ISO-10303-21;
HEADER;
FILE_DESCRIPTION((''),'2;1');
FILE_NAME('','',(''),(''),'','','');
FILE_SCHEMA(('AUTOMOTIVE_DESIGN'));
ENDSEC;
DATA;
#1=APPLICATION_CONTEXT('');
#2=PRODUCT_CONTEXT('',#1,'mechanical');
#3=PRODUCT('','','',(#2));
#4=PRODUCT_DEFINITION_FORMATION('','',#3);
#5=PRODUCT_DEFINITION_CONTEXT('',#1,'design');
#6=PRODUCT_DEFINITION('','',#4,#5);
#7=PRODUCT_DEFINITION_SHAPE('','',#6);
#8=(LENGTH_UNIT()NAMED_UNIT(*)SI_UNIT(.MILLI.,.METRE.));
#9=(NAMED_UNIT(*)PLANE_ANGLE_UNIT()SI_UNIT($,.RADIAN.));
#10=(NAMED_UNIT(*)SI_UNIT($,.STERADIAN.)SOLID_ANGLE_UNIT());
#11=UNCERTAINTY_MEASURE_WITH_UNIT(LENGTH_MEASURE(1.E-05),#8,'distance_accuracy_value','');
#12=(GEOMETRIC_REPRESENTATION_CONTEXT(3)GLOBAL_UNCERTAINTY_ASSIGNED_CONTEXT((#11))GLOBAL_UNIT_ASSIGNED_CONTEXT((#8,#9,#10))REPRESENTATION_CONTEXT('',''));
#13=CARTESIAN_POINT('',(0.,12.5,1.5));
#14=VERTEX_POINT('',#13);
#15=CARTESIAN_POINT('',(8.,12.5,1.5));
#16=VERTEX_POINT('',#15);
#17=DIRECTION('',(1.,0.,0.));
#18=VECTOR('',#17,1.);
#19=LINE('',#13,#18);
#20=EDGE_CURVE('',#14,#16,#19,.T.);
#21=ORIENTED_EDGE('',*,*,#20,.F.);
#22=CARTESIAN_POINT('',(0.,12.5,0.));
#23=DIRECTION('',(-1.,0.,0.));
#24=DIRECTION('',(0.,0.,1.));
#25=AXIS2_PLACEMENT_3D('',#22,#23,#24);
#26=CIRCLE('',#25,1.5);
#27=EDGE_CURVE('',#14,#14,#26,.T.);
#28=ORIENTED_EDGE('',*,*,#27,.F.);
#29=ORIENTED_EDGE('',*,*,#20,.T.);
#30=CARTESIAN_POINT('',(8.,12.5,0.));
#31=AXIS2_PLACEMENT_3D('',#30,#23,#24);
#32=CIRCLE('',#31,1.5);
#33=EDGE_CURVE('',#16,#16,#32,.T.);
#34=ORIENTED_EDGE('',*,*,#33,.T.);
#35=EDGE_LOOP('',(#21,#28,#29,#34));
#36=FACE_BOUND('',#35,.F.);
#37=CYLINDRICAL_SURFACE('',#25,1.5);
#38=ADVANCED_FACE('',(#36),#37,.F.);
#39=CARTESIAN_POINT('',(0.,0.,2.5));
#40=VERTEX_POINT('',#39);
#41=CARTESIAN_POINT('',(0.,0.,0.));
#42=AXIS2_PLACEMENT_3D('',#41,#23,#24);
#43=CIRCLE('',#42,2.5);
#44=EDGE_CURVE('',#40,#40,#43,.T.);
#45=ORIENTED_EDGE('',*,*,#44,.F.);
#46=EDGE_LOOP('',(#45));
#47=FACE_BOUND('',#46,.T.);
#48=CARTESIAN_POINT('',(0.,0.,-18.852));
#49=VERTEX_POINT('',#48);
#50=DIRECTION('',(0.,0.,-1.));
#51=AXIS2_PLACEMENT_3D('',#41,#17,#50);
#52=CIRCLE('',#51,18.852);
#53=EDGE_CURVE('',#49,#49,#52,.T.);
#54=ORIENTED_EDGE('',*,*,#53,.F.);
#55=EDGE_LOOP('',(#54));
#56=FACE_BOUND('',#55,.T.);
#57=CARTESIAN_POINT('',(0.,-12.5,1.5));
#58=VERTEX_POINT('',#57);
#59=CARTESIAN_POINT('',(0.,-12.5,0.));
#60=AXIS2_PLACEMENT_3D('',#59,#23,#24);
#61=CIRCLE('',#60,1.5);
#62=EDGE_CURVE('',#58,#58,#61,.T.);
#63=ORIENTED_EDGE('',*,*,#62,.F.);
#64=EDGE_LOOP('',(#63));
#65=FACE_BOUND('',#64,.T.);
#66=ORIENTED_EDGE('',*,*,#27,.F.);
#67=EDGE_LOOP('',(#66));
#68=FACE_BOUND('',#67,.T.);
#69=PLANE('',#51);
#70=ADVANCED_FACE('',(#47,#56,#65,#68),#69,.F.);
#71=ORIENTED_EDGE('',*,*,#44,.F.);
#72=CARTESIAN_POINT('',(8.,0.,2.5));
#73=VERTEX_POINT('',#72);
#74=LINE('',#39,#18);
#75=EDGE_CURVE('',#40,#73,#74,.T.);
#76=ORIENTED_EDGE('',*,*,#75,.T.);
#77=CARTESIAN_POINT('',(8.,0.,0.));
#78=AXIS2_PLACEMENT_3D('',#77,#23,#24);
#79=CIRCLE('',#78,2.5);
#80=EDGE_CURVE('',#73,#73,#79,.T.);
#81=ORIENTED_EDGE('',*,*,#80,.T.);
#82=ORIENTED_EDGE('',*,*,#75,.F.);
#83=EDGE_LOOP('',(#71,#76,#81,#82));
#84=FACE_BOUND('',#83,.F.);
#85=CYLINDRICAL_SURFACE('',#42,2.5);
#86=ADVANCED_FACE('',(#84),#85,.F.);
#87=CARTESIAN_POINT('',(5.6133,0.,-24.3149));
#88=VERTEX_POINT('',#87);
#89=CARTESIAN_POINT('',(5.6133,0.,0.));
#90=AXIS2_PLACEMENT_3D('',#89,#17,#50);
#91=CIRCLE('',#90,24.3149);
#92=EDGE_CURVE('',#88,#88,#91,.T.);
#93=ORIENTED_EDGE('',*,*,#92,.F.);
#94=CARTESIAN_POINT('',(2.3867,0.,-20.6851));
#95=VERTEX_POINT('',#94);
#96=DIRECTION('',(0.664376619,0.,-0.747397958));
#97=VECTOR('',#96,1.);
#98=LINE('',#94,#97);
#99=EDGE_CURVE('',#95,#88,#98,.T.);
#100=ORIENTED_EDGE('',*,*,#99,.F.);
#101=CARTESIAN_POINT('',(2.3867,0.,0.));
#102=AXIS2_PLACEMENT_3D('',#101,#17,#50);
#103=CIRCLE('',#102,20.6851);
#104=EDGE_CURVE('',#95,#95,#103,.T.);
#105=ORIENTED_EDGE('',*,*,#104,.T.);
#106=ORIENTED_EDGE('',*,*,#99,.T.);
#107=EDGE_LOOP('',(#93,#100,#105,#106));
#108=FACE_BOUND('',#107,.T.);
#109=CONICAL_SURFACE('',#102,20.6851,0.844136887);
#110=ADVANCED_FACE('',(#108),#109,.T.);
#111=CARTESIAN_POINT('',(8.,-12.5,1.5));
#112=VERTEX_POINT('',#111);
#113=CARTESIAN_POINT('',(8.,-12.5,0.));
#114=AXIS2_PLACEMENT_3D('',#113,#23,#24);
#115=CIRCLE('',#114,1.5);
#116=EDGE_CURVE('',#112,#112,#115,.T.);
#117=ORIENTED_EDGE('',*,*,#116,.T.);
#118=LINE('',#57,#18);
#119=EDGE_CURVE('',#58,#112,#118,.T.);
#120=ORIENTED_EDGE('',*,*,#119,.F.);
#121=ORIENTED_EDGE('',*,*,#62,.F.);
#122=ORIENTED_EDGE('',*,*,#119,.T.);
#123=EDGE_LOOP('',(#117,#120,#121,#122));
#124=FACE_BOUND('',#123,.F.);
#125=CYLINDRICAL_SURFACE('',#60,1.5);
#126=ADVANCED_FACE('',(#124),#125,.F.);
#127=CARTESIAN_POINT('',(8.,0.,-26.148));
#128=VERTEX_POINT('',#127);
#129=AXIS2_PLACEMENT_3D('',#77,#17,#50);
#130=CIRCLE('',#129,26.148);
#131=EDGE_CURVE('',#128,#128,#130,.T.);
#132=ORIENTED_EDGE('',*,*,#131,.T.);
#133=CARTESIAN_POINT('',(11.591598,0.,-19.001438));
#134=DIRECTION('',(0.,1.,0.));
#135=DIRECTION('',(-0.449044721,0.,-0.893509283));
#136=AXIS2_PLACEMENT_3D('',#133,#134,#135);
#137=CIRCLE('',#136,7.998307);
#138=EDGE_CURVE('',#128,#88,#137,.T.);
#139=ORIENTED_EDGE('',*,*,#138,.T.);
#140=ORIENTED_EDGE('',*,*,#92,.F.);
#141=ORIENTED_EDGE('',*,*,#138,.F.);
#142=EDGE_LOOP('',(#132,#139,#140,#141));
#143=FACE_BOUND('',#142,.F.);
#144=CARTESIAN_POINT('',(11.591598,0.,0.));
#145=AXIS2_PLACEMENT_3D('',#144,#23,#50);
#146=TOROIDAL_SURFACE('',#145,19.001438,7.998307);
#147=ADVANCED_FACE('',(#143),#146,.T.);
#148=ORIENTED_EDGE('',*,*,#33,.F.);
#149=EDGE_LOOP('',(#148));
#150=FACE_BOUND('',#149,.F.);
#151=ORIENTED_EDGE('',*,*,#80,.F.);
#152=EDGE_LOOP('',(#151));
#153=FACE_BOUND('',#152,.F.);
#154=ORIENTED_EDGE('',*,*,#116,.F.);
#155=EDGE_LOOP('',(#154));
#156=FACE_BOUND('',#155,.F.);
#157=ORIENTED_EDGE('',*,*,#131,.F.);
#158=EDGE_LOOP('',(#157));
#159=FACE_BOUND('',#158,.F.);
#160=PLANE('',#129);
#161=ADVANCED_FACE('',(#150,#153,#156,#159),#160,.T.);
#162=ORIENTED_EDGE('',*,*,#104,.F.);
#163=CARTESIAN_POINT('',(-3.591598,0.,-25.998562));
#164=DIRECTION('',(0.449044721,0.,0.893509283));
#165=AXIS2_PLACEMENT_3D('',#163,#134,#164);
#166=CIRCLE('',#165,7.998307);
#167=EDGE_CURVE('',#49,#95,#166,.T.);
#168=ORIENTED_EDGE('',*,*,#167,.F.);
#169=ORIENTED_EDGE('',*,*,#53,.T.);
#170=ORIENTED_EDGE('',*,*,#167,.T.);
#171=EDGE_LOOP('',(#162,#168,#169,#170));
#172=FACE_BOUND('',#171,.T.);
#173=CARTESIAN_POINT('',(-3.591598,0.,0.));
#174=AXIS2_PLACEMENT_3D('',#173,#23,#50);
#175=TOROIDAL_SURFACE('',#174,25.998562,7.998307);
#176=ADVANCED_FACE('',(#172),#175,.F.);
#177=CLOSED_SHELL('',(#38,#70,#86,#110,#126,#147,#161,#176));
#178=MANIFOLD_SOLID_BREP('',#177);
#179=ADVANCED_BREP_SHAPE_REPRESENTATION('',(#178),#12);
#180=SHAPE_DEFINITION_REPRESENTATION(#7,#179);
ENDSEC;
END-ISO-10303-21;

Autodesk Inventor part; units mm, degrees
ref_plane "YZ Plane" through (0, 0, 0) normal (1, 0, 0) x (0, 1, 0)
ref_plane "XZ Plane" through (0, 0, 0) normal (0, 1, 0) x (-1, 0, 0)
ref_plane "XY Plane" through (0, 0, 0) normal (0, 0, 1) x (1, 0, 0)
sketch "Sketch1" plane through (0, 0, 0) normal (0, 1, 0) x (-1, 0, 0)
  line L0 (0, 0) -> (0, -18) construction
  line L1 (0, 0) -> (-8, 0)
  line L2 (-8, 0) -> (-8, -27) construction
  line L3 (-2.3867, -20.6851) -> (-5.6133, -24.3149)
  arc A0 (0, -18.852) -> (-2.3867, -20.6851) centre (3.5925, -26) ccw
  arc A1 (-8, -26.148) -> (-5.6133, -24.3149) centre (-11.5925, -19) ccw
  line L4 (0, 0) -> (0, -18.852)
  line L5 (-8, 0) -> (-8, -26.148)
  dimension "d0" = 18
  dimension "d1" = 8
  dimension "d2" = 27
  dimension "d3" = 8
revolve "Revolution1" add sketch "Sketch1" angle 360 about axis through (0, 0, 0) along (1, 0, 0)
sketch "Sketch2" plane through (0, 0, 0) normal (-1, 0, 0) x (0, 0, 1)
  circle A0 centre (0, 0) radius 2.5
  line L0 (0, 0) -> (0, 12.5) construction
  circle A1 centre (0, 12.5) radius 1.5
  line L1 (0, 0) -> (0, -12.5) construction
  circle A2 centre (0, -12.5) radius 1.5
  dimension "d5" = 5
  dimension "d6" = 12.5
  dimension "d7" = 12.5
  dimension "d8" = 3
  dimension "d9" = 3
extrude "Extrusion1" cut sketch "Sketch2" against normal blind 10
properties part number "gearboxmotorconnection"
